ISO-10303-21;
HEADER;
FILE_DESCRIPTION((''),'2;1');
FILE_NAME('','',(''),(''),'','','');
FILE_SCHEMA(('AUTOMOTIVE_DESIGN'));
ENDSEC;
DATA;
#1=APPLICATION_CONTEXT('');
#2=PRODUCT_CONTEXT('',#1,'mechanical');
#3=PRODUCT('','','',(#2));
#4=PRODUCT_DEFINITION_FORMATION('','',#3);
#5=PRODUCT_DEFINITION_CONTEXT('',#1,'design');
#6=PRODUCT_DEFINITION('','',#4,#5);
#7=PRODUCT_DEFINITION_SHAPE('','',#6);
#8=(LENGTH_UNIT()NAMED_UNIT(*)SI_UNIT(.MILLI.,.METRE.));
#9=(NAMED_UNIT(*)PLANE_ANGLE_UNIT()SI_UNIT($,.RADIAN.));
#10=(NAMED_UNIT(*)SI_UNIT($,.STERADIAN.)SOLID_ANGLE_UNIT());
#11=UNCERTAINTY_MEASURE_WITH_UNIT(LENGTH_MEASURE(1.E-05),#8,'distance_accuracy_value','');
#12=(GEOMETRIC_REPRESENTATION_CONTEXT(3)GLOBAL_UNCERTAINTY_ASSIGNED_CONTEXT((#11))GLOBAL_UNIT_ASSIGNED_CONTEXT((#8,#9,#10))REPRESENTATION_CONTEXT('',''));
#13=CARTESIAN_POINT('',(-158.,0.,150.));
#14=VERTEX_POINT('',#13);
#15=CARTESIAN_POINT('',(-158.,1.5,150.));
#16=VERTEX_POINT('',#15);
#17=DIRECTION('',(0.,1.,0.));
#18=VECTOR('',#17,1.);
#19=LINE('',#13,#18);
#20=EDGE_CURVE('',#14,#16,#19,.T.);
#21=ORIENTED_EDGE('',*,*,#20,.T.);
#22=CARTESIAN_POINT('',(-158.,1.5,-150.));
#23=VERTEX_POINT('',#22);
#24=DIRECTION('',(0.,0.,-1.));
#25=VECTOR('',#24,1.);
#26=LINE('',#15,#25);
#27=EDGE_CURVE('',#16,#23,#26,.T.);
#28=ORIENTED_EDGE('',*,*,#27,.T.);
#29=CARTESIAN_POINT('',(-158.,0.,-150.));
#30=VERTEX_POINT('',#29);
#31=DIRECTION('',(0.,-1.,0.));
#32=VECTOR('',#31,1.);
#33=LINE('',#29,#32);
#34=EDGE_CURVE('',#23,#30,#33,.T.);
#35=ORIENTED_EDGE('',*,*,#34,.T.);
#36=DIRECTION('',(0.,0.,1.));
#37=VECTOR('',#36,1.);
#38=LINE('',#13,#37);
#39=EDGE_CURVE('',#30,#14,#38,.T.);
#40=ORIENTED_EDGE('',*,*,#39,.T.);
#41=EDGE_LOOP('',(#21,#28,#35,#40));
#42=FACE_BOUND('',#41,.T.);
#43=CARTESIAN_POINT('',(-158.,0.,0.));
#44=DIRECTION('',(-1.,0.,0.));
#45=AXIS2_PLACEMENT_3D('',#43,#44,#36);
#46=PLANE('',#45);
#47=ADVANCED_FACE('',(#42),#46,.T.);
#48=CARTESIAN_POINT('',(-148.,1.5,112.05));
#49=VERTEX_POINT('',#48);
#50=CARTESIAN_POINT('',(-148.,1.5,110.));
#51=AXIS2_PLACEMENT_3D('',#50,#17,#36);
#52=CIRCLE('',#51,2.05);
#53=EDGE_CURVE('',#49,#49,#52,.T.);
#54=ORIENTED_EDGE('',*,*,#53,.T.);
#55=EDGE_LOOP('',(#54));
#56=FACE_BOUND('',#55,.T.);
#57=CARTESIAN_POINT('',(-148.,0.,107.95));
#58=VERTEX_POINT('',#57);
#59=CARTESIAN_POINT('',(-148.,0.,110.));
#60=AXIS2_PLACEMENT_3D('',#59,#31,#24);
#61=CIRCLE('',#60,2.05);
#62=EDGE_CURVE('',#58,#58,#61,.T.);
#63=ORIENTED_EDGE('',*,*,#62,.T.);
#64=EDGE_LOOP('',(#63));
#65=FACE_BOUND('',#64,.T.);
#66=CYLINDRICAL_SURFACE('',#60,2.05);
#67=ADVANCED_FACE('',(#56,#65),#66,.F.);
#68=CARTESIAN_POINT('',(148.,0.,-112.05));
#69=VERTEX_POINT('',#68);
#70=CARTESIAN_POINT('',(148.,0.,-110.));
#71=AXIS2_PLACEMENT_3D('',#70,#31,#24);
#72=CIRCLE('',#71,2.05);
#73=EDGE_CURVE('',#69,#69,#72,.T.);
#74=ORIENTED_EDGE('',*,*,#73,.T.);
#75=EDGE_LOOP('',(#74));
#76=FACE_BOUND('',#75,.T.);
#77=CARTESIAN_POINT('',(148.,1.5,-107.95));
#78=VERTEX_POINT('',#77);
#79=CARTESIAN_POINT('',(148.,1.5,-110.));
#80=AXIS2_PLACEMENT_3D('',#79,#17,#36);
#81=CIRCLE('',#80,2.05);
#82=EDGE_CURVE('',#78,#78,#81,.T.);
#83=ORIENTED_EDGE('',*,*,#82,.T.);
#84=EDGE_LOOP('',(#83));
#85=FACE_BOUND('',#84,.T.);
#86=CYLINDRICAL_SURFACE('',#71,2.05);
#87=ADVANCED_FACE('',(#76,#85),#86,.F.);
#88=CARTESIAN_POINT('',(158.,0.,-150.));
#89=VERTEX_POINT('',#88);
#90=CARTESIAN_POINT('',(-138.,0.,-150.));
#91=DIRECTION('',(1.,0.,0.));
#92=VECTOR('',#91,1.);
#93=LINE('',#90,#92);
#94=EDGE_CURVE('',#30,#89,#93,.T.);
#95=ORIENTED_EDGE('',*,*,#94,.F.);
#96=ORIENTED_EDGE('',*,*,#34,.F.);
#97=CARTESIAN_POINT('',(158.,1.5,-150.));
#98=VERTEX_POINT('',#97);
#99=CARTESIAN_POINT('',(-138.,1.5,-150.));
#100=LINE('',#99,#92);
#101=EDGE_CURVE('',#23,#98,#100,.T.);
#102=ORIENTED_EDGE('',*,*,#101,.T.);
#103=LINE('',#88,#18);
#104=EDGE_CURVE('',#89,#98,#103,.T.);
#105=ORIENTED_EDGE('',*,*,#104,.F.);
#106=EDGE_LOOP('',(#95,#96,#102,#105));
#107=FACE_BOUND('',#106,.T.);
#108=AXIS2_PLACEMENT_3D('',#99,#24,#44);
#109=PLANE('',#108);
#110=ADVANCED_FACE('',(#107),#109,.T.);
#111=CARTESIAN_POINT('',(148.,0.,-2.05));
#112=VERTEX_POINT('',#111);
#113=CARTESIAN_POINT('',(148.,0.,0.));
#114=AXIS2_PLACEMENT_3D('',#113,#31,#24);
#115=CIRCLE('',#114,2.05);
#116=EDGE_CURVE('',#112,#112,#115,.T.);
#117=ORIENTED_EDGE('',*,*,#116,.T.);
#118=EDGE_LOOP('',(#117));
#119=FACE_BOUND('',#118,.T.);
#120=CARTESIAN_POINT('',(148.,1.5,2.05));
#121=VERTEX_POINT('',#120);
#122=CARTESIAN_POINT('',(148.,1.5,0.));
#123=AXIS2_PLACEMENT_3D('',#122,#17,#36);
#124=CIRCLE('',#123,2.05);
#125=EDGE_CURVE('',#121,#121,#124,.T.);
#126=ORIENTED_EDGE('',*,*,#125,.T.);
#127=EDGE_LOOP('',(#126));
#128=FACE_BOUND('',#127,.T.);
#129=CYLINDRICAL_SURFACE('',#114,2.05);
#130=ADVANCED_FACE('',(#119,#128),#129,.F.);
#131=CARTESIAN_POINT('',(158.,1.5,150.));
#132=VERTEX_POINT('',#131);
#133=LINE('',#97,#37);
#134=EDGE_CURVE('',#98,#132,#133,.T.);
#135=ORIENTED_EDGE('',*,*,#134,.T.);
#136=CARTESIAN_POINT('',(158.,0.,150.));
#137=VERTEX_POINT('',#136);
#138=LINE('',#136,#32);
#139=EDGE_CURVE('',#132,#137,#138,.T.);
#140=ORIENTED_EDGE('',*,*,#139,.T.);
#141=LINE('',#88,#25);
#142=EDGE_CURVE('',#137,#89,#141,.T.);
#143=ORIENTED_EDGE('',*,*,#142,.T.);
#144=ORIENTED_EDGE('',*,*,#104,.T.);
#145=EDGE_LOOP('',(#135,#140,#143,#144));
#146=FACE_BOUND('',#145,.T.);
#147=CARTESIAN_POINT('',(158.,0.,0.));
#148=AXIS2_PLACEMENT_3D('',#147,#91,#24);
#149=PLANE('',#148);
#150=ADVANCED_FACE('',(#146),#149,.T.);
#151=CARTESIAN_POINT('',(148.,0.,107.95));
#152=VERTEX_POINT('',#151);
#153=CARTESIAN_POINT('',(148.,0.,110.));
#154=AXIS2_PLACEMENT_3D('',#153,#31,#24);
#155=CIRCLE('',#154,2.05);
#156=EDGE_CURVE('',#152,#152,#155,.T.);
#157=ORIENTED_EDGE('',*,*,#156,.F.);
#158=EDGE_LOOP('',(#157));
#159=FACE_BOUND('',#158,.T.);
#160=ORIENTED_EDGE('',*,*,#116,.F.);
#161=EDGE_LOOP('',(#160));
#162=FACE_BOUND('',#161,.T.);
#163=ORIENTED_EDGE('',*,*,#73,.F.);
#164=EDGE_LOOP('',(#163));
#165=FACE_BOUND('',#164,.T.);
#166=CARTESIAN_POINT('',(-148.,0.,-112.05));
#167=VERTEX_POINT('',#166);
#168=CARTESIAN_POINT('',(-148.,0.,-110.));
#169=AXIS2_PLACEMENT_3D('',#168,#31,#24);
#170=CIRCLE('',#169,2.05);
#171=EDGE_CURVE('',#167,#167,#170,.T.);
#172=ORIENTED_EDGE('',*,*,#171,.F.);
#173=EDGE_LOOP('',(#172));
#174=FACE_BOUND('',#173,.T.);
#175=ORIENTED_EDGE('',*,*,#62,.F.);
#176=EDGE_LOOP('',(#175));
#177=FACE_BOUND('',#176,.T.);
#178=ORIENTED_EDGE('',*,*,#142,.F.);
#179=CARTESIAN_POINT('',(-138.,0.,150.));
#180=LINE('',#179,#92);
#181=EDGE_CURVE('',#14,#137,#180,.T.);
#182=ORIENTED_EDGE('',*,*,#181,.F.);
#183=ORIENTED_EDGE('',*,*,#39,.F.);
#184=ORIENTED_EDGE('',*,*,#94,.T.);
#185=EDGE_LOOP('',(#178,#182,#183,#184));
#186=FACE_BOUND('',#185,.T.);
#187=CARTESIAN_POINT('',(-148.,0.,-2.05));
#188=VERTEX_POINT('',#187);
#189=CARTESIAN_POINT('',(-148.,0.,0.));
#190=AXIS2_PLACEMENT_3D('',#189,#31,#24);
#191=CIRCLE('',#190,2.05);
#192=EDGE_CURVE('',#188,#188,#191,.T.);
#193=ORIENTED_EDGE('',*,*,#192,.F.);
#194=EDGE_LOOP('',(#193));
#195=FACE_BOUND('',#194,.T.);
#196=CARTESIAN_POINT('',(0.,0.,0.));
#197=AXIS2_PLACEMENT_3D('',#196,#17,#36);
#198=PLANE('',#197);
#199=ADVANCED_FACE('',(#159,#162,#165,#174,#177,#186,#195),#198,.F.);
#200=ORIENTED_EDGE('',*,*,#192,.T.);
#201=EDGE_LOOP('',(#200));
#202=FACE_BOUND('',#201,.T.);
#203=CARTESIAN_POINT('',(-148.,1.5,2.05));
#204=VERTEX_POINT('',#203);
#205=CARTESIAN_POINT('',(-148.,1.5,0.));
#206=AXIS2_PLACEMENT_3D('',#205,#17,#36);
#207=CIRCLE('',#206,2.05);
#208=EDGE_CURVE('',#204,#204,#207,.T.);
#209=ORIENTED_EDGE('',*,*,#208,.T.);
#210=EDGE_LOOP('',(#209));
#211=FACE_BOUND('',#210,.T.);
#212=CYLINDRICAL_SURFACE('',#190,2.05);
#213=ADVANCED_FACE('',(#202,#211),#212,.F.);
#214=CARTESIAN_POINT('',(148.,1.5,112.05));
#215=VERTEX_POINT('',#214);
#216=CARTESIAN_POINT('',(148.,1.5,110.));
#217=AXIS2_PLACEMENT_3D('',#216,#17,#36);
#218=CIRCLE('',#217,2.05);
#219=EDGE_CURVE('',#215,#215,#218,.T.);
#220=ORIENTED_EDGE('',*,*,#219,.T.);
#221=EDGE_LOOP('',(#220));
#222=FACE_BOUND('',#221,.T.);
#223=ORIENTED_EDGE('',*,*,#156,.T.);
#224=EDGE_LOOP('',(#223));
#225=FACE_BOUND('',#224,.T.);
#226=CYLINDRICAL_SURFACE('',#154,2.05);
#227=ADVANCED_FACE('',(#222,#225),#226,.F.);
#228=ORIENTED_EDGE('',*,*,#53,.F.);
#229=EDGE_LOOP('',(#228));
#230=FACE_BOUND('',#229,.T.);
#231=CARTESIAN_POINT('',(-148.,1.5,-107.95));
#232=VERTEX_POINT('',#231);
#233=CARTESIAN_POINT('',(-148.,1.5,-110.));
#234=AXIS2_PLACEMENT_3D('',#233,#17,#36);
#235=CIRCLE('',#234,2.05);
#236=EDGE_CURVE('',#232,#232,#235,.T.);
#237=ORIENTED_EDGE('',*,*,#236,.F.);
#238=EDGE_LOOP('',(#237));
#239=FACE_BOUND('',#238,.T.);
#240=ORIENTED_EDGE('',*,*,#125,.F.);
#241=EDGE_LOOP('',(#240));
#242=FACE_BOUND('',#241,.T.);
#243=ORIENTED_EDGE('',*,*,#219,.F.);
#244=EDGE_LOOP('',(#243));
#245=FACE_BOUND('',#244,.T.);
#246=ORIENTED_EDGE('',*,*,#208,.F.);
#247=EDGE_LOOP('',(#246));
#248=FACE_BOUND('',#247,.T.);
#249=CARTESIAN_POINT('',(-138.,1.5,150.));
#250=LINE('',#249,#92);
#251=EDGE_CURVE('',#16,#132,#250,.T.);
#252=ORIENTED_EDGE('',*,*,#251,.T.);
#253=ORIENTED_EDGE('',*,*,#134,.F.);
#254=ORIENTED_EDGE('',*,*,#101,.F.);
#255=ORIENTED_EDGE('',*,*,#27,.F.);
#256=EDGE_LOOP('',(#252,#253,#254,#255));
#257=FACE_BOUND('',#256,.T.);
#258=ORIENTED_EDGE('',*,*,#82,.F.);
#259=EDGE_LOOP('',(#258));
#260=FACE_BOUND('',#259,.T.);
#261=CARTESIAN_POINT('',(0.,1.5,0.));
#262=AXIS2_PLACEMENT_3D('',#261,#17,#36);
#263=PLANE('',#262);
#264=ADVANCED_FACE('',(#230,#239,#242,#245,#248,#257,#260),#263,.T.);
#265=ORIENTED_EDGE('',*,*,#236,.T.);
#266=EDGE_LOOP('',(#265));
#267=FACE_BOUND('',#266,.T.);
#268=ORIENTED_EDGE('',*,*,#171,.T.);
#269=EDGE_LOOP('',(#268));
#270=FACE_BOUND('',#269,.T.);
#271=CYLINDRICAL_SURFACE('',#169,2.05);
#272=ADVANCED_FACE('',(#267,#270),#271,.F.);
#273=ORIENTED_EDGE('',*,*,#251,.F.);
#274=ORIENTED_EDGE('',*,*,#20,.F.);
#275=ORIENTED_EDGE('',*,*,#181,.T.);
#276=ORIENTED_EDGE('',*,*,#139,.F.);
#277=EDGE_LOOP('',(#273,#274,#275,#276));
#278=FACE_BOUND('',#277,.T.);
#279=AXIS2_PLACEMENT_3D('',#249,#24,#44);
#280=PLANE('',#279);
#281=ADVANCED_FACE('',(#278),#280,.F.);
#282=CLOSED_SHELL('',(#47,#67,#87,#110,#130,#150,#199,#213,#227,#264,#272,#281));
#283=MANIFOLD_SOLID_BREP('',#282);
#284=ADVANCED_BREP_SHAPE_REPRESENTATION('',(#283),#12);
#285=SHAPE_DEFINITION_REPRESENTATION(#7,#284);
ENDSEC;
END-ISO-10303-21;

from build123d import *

# Parameters (mm, degrees)
SKETCH1_W                  = 276
SKETCH1_H                  = 300
BOSS_EXTRUDE1_DEPTH        = 1.5
SKETCH3_W                  = 300
SKETCH3_H                  = 1.5
BOSS_EXTRUDE3_DEPTH        = 20
SKETCH4_W                  = 300
SKETCH4_H                  = 1.5
BOSS_EXTRUDE4_DEPTH        = 20
F_4_1_4_1_DIAMETER_HOLE1_D = 4.1


with BuildPart() as part:
    # Sketch1 → Boss-Extrude1 (new body)
    with BuildSketch(Plane(origin=(0, 0, 0), x_dir=(1, 0, 0), z_dir=(0, 1, 0))):
        Rectangle(SKETCH1_W, SKETCH1_H)
    extrude(amount=BOSS_EXTRUDE1_DEPTH)

    # Sketch3 → Boss-Extrude3 (add)
    with BuildSketch(Plane.ZY.offset(138)):
        with Locations((0, 0.75)):
            Rectangle(SKETCH3_W, SKETCH3_H)
    extrude(amount=BOSS_EXTRUDE3_DEPTH)

    # Sketch4 → Boss-Extrude4 (add)
    with BuildSketch(Plane(origin=(138, 0, 0), x_dir=(0, 0, -1), z_dir=(1, 0, 0))):
        with Locations((0, 0.75)):
            Rectangle(SKETCH4_W, SKETCH4_H)
    extrude(amount=BOSS_EXTRUDE4_DEPTH)

    # Ø4.1 (4.1) Diameter Hole1 (through all)
    with Locations(Plane(origin=(0, 0, 0), x_dir=(-1, 0, 0), z_dir=(0, -1, 0))):
        with Locations((-148, 110), (-148, 0), (-148, -110), (148, 0), (148, -110), (148, 110)):
            Hole(F_4_1_4_1_DIAMETER_HOLE1_D / 2)


solid = part.part
